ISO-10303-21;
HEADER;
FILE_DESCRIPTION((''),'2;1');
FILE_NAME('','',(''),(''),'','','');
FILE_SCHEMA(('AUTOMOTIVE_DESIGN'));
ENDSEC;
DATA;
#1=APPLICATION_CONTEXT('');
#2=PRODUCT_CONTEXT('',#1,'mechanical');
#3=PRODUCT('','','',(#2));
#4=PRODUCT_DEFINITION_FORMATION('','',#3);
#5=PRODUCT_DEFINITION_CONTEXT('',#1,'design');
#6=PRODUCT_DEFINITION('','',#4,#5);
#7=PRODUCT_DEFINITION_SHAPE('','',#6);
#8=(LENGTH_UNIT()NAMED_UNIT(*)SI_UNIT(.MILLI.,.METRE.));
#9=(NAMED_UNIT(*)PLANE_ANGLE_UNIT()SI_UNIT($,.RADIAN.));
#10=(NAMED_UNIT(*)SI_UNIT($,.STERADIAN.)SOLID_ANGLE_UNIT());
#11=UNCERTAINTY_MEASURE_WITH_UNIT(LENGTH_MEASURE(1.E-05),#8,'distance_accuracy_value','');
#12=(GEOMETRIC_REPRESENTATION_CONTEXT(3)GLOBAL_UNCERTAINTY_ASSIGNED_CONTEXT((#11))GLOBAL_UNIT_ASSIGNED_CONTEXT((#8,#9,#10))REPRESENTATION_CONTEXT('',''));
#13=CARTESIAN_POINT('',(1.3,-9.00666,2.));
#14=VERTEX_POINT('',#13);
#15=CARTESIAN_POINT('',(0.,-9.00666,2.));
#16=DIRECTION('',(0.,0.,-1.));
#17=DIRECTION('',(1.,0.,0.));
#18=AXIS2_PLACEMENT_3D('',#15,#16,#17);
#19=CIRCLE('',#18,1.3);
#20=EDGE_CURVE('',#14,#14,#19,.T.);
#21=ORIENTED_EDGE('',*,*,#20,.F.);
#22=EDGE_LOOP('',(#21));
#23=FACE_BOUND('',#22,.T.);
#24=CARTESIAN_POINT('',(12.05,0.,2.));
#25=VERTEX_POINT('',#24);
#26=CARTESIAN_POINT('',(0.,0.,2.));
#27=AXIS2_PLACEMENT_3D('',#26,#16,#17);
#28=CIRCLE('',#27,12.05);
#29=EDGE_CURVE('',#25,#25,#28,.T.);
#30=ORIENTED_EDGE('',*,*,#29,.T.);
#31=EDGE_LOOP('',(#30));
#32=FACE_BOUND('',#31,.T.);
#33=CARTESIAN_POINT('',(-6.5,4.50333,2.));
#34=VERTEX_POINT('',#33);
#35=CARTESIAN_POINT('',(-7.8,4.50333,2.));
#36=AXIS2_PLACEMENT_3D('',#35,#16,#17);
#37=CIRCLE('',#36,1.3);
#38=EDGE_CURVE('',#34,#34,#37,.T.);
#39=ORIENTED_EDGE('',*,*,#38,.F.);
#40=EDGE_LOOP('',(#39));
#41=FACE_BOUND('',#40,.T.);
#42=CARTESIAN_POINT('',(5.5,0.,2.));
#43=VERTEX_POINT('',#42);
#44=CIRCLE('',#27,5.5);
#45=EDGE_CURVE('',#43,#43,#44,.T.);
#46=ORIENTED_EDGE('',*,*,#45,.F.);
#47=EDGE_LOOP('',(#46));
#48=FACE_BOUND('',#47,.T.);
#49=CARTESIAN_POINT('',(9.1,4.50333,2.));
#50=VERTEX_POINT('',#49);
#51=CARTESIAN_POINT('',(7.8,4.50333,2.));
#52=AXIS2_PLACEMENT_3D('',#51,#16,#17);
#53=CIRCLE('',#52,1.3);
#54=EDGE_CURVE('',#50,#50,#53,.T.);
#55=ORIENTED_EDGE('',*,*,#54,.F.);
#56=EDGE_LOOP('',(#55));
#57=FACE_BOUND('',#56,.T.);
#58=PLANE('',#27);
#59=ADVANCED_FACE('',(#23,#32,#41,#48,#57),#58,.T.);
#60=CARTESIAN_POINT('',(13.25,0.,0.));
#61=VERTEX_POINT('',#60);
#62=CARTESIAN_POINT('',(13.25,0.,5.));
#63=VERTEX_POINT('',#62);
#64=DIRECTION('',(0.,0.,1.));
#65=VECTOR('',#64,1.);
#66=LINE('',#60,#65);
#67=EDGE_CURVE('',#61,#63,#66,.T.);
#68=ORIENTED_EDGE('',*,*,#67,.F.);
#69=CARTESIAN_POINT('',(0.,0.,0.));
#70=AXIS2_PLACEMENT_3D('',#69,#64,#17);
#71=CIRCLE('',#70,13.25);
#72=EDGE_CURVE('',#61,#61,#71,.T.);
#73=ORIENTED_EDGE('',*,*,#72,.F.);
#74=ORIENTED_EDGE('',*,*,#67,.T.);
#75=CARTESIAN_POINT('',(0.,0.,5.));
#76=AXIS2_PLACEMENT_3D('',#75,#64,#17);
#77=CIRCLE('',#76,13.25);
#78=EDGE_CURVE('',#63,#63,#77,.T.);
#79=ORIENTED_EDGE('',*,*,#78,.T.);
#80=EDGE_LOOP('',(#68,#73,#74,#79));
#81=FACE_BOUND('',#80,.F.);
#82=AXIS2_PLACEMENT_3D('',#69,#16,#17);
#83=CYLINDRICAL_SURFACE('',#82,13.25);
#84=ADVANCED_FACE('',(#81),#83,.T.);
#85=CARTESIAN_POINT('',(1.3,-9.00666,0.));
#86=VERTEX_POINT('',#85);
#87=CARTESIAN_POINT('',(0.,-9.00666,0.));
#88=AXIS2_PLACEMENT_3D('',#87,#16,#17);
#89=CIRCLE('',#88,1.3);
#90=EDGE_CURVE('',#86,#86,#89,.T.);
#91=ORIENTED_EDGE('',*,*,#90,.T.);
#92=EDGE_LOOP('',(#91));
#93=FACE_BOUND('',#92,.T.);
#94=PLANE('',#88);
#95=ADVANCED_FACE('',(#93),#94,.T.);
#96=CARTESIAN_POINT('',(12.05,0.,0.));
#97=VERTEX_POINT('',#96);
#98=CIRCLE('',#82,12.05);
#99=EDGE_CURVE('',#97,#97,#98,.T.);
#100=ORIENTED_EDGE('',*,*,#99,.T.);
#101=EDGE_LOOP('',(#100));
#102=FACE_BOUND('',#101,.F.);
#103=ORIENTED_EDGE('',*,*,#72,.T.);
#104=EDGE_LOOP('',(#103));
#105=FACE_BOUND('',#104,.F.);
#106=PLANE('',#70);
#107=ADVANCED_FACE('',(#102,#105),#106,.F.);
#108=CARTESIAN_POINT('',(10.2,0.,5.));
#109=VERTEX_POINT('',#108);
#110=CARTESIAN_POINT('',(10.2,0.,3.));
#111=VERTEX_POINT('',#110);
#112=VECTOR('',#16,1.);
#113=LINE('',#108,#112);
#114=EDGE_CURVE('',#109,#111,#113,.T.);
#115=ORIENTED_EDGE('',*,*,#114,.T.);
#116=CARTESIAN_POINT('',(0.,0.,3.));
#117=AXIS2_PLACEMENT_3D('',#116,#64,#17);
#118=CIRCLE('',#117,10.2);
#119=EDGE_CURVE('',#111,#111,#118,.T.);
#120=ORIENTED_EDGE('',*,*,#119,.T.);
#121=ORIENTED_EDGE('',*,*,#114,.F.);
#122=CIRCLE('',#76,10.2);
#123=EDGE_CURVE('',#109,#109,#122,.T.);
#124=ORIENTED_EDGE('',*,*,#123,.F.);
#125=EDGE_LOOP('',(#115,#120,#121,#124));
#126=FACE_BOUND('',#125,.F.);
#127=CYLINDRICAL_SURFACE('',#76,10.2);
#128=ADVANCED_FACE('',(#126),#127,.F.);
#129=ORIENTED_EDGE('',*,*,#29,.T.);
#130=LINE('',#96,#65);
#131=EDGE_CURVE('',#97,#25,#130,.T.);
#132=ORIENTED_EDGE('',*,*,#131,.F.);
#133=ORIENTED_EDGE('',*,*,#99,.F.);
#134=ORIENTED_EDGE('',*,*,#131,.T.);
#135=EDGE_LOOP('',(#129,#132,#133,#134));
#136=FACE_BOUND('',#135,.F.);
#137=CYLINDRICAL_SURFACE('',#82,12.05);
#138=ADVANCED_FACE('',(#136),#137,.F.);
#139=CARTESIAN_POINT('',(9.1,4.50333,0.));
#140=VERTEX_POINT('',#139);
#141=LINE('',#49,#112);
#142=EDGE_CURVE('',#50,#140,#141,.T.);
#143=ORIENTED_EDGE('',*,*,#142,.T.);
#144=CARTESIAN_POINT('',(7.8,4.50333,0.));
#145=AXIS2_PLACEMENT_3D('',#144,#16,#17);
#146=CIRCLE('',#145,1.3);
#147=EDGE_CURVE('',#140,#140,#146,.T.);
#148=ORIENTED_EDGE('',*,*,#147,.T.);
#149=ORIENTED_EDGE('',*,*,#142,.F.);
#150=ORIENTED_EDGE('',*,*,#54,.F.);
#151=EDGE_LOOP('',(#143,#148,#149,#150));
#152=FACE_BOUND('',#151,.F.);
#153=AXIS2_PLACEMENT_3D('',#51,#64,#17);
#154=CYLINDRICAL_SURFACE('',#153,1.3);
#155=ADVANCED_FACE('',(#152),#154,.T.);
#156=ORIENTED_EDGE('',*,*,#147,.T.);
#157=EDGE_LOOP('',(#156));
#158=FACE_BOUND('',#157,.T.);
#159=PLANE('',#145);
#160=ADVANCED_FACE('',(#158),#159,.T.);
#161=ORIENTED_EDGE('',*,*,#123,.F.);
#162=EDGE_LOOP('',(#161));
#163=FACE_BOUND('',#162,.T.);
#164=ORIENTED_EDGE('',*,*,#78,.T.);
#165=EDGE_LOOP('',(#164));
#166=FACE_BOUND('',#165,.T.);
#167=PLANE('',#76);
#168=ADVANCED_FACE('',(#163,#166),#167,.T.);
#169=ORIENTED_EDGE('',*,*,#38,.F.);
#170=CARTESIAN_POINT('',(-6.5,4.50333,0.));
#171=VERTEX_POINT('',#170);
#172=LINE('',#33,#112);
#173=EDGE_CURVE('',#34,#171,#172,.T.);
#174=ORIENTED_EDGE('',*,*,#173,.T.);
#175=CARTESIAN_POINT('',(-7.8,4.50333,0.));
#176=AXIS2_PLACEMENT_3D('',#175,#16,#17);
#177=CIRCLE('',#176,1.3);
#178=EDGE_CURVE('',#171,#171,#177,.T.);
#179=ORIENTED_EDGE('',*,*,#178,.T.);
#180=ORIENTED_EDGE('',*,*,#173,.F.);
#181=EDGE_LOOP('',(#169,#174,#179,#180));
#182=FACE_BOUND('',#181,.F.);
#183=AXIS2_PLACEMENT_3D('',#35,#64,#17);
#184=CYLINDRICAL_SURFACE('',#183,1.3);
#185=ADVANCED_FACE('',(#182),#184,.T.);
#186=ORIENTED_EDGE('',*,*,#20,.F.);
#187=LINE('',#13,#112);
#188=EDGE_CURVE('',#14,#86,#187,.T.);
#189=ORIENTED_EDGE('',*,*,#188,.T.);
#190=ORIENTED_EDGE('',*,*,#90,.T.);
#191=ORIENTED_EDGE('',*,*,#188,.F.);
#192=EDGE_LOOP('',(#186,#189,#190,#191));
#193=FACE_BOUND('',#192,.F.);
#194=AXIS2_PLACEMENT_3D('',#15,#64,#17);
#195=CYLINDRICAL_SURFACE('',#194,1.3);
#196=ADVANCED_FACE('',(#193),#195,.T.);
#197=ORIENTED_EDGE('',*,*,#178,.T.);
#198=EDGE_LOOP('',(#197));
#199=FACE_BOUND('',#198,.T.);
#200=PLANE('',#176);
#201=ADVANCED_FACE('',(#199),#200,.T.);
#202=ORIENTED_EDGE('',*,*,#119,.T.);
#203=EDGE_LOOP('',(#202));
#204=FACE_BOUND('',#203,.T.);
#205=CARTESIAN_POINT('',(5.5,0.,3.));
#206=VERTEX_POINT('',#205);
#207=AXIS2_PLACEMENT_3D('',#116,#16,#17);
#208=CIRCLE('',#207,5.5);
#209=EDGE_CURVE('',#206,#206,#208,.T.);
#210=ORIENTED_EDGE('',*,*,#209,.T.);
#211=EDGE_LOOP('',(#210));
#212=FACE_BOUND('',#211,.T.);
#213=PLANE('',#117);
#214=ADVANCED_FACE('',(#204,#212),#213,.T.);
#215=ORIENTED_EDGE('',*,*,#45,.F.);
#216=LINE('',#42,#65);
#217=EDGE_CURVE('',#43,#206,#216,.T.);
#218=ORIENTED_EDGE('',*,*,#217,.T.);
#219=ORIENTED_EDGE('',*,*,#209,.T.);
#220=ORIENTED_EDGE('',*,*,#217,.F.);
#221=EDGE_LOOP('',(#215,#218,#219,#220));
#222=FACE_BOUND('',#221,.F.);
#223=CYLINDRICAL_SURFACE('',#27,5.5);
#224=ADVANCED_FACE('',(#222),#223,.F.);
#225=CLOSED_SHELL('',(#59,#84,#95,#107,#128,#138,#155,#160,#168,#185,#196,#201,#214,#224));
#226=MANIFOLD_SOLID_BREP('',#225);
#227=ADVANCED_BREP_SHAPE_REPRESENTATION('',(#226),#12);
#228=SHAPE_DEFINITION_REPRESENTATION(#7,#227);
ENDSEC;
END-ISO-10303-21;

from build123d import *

# Parameters (mm, degrees)
SKETCH_R        = 13.25
PAD_DEPTH       = 5
SKETCH001_R     = 10.2
POCKET_DEPTH    = 2
SKETCH002_R     = 12.05
POCKET001_DEPTH = 2
SKETCH003_R     = 5.5
POCKET002_DEPTH = 5
SKETCH004_R     = 1.3
PAD001_DEPTH    = 2


with BuildPart() as part:
    # Sketch → Pad (new body)
    with BuildSketch(Plane.XY):
        Circle(SKETCH_R)
    extrude(amount=PAD_DEPTH)

    # Sketch001 → Pocket (cut)
    with BuildSketch(Plane.XY.offset(5)):
        Circle(SKETCH001_R)
    extrude(amount=-POCKET_DEPTH, mode=Mode.SUBTRACT)

    # Sketch002 → Pocket001 (cut)
    with BuildSketch(Plane(origin=(0, 0, 0), x_dir=(1, 0, 0), z_dir=(0, 0, -1))):
        Circle(SKETCH002_R)
    extrude(amount=-POCKET001_DEPTH, mode=Mode.SUBTRACT)

    # Sketch003 → Pocket002 (cut)
    with BuildSketch(Plane(origin=(0, 0, 2), x_dir=(1, 0, 0), z_dir=(0, 0, -1))):
        Circle(SKETCH003_R)
    extrude(amount=-POCKET002_DEPTH, mode=Mode.SUBTRACT)

    # Sketch004 → Pad001 (new body)
    with BuildSketch(Plane(origin=(0, 0, 2), x_dir=(1, 0, 0), z_dir=(0, 0, -1))):
        with Locations((0, 9.00666)):
            Circle(SKETCH004_R)
        with Locations((7.8, -4.50333)):
            Circle(SKETCH004_R)
        with Locations((-7.8, -4.50333)):
            Circle(SKETCH004_R)
    extrude(amount=PAD001_DEPTH)


solid = part.part
